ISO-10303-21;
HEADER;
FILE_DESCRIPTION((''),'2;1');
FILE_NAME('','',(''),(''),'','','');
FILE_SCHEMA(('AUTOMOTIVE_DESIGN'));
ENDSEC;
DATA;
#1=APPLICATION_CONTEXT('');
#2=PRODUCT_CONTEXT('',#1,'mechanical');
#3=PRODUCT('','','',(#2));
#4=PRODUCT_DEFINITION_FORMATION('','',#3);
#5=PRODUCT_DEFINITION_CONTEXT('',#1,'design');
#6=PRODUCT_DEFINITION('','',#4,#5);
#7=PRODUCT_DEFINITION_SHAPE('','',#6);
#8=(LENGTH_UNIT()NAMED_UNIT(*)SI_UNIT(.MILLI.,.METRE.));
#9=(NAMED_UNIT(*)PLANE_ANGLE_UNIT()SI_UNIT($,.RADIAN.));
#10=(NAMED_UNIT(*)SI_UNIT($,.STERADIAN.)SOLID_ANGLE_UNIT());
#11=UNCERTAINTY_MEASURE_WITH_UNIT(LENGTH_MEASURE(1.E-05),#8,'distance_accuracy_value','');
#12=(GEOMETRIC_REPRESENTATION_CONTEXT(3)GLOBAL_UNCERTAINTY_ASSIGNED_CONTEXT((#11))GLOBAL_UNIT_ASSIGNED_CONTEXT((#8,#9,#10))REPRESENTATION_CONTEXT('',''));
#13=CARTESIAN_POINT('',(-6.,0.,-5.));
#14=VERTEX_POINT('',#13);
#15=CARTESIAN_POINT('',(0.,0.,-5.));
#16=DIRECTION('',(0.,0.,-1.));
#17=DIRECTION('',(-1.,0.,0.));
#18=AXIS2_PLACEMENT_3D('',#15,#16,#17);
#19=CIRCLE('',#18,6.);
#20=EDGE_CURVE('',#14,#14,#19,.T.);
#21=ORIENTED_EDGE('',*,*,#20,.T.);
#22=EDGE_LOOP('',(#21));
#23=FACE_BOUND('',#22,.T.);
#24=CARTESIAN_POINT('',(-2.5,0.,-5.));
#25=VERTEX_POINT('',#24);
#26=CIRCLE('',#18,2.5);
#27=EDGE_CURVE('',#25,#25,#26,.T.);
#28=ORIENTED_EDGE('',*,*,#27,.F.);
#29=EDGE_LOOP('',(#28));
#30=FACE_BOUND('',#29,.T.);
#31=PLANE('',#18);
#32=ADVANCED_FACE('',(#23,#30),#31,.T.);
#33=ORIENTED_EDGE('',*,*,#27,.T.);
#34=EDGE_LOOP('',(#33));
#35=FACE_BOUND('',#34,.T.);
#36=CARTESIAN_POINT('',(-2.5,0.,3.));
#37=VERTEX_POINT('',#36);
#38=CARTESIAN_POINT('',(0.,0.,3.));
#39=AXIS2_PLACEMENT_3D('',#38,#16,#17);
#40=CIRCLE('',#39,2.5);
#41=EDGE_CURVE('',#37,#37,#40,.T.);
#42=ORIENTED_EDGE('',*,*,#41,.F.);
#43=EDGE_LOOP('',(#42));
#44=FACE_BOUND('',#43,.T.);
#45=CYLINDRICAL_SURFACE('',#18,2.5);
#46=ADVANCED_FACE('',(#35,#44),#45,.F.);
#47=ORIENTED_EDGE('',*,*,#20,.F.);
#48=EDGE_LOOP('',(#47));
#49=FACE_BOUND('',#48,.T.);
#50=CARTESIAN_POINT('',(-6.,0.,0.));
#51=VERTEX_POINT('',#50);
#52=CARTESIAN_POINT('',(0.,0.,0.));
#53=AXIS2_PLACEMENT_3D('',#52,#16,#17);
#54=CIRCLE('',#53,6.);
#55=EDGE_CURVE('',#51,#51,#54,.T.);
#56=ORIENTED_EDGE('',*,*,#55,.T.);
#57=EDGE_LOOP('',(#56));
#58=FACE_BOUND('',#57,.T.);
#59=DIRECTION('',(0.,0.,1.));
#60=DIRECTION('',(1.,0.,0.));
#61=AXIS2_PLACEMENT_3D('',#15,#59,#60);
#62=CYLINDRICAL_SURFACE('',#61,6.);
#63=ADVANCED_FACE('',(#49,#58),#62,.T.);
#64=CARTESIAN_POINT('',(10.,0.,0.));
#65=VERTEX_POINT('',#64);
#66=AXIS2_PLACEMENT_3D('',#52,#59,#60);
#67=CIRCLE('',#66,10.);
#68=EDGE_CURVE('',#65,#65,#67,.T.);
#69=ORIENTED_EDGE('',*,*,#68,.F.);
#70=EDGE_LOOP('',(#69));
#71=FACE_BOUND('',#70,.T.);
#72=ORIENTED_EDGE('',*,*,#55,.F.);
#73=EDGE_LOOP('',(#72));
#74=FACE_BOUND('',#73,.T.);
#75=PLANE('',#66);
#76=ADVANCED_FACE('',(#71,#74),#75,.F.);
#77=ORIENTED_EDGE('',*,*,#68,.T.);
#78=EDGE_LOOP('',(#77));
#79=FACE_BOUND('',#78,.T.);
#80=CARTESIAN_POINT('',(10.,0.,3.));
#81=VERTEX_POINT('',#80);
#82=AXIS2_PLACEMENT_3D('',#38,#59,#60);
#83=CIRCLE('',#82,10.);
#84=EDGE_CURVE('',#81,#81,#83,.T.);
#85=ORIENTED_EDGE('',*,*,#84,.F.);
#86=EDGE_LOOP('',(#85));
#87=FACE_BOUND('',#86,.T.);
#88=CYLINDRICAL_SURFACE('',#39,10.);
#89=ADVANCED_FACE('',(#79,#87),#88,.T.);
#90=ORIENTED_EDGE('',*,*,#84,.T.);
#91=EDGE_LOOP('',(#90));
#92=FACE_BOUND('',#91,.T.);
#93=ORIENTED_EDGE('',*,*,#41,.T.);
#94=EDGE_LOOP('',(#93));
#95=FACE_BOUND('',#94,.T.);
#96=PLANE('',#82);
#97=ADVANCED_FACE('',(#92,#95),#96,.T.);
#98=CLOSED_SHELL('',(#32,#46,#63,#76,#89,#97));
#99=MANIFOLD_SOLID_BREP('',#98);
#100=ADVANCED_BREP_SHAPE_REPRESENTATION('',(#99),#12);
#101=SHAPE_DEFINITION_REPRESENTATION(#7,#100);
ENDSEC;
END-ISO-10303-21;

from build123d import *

# Parameters (mm, degrees)
SKETCH1_R               = 10
BOSS_EXTRUDE1_DEPTH     = 3
SKETCH2_R               = 6
BOSS_EXTRUDE2_DEPTH     = 5
TAP_DRILL_FOR_M6_TAP1_D = 5


with BuildPart() as part:
    # Sketch1 → Boss-Extrude1 (new body)
    with BuildSketch(Plane.XY):
        Circle(SKETCH1_R)
    extrude(amount=BOSS_EXTRUDE1_DEPTH)

    # Sketch2 → Boss-Extrude2 (add)
    with BuildSketch(Plane(origin=(0, 0, 0), x_dir=(-1, 0, 0), z_dir=(0, 0, -1))):
        Circle(SKETCH2_R)
    extrude(amount=BOSS_EXTRUDE2_DEPTH)

    # Tap Drill for M6 Tap1 (through all)
    with Locations(Plane(origin=(0, 0, -5), x_dir=(-1, 0, 0), z_dir=(0, 0, -1))):
        with Locations((0, 0)):
            Hole(TAP_DRILL_FOR_M6_TAP1_D / 2)


solid = part.part
